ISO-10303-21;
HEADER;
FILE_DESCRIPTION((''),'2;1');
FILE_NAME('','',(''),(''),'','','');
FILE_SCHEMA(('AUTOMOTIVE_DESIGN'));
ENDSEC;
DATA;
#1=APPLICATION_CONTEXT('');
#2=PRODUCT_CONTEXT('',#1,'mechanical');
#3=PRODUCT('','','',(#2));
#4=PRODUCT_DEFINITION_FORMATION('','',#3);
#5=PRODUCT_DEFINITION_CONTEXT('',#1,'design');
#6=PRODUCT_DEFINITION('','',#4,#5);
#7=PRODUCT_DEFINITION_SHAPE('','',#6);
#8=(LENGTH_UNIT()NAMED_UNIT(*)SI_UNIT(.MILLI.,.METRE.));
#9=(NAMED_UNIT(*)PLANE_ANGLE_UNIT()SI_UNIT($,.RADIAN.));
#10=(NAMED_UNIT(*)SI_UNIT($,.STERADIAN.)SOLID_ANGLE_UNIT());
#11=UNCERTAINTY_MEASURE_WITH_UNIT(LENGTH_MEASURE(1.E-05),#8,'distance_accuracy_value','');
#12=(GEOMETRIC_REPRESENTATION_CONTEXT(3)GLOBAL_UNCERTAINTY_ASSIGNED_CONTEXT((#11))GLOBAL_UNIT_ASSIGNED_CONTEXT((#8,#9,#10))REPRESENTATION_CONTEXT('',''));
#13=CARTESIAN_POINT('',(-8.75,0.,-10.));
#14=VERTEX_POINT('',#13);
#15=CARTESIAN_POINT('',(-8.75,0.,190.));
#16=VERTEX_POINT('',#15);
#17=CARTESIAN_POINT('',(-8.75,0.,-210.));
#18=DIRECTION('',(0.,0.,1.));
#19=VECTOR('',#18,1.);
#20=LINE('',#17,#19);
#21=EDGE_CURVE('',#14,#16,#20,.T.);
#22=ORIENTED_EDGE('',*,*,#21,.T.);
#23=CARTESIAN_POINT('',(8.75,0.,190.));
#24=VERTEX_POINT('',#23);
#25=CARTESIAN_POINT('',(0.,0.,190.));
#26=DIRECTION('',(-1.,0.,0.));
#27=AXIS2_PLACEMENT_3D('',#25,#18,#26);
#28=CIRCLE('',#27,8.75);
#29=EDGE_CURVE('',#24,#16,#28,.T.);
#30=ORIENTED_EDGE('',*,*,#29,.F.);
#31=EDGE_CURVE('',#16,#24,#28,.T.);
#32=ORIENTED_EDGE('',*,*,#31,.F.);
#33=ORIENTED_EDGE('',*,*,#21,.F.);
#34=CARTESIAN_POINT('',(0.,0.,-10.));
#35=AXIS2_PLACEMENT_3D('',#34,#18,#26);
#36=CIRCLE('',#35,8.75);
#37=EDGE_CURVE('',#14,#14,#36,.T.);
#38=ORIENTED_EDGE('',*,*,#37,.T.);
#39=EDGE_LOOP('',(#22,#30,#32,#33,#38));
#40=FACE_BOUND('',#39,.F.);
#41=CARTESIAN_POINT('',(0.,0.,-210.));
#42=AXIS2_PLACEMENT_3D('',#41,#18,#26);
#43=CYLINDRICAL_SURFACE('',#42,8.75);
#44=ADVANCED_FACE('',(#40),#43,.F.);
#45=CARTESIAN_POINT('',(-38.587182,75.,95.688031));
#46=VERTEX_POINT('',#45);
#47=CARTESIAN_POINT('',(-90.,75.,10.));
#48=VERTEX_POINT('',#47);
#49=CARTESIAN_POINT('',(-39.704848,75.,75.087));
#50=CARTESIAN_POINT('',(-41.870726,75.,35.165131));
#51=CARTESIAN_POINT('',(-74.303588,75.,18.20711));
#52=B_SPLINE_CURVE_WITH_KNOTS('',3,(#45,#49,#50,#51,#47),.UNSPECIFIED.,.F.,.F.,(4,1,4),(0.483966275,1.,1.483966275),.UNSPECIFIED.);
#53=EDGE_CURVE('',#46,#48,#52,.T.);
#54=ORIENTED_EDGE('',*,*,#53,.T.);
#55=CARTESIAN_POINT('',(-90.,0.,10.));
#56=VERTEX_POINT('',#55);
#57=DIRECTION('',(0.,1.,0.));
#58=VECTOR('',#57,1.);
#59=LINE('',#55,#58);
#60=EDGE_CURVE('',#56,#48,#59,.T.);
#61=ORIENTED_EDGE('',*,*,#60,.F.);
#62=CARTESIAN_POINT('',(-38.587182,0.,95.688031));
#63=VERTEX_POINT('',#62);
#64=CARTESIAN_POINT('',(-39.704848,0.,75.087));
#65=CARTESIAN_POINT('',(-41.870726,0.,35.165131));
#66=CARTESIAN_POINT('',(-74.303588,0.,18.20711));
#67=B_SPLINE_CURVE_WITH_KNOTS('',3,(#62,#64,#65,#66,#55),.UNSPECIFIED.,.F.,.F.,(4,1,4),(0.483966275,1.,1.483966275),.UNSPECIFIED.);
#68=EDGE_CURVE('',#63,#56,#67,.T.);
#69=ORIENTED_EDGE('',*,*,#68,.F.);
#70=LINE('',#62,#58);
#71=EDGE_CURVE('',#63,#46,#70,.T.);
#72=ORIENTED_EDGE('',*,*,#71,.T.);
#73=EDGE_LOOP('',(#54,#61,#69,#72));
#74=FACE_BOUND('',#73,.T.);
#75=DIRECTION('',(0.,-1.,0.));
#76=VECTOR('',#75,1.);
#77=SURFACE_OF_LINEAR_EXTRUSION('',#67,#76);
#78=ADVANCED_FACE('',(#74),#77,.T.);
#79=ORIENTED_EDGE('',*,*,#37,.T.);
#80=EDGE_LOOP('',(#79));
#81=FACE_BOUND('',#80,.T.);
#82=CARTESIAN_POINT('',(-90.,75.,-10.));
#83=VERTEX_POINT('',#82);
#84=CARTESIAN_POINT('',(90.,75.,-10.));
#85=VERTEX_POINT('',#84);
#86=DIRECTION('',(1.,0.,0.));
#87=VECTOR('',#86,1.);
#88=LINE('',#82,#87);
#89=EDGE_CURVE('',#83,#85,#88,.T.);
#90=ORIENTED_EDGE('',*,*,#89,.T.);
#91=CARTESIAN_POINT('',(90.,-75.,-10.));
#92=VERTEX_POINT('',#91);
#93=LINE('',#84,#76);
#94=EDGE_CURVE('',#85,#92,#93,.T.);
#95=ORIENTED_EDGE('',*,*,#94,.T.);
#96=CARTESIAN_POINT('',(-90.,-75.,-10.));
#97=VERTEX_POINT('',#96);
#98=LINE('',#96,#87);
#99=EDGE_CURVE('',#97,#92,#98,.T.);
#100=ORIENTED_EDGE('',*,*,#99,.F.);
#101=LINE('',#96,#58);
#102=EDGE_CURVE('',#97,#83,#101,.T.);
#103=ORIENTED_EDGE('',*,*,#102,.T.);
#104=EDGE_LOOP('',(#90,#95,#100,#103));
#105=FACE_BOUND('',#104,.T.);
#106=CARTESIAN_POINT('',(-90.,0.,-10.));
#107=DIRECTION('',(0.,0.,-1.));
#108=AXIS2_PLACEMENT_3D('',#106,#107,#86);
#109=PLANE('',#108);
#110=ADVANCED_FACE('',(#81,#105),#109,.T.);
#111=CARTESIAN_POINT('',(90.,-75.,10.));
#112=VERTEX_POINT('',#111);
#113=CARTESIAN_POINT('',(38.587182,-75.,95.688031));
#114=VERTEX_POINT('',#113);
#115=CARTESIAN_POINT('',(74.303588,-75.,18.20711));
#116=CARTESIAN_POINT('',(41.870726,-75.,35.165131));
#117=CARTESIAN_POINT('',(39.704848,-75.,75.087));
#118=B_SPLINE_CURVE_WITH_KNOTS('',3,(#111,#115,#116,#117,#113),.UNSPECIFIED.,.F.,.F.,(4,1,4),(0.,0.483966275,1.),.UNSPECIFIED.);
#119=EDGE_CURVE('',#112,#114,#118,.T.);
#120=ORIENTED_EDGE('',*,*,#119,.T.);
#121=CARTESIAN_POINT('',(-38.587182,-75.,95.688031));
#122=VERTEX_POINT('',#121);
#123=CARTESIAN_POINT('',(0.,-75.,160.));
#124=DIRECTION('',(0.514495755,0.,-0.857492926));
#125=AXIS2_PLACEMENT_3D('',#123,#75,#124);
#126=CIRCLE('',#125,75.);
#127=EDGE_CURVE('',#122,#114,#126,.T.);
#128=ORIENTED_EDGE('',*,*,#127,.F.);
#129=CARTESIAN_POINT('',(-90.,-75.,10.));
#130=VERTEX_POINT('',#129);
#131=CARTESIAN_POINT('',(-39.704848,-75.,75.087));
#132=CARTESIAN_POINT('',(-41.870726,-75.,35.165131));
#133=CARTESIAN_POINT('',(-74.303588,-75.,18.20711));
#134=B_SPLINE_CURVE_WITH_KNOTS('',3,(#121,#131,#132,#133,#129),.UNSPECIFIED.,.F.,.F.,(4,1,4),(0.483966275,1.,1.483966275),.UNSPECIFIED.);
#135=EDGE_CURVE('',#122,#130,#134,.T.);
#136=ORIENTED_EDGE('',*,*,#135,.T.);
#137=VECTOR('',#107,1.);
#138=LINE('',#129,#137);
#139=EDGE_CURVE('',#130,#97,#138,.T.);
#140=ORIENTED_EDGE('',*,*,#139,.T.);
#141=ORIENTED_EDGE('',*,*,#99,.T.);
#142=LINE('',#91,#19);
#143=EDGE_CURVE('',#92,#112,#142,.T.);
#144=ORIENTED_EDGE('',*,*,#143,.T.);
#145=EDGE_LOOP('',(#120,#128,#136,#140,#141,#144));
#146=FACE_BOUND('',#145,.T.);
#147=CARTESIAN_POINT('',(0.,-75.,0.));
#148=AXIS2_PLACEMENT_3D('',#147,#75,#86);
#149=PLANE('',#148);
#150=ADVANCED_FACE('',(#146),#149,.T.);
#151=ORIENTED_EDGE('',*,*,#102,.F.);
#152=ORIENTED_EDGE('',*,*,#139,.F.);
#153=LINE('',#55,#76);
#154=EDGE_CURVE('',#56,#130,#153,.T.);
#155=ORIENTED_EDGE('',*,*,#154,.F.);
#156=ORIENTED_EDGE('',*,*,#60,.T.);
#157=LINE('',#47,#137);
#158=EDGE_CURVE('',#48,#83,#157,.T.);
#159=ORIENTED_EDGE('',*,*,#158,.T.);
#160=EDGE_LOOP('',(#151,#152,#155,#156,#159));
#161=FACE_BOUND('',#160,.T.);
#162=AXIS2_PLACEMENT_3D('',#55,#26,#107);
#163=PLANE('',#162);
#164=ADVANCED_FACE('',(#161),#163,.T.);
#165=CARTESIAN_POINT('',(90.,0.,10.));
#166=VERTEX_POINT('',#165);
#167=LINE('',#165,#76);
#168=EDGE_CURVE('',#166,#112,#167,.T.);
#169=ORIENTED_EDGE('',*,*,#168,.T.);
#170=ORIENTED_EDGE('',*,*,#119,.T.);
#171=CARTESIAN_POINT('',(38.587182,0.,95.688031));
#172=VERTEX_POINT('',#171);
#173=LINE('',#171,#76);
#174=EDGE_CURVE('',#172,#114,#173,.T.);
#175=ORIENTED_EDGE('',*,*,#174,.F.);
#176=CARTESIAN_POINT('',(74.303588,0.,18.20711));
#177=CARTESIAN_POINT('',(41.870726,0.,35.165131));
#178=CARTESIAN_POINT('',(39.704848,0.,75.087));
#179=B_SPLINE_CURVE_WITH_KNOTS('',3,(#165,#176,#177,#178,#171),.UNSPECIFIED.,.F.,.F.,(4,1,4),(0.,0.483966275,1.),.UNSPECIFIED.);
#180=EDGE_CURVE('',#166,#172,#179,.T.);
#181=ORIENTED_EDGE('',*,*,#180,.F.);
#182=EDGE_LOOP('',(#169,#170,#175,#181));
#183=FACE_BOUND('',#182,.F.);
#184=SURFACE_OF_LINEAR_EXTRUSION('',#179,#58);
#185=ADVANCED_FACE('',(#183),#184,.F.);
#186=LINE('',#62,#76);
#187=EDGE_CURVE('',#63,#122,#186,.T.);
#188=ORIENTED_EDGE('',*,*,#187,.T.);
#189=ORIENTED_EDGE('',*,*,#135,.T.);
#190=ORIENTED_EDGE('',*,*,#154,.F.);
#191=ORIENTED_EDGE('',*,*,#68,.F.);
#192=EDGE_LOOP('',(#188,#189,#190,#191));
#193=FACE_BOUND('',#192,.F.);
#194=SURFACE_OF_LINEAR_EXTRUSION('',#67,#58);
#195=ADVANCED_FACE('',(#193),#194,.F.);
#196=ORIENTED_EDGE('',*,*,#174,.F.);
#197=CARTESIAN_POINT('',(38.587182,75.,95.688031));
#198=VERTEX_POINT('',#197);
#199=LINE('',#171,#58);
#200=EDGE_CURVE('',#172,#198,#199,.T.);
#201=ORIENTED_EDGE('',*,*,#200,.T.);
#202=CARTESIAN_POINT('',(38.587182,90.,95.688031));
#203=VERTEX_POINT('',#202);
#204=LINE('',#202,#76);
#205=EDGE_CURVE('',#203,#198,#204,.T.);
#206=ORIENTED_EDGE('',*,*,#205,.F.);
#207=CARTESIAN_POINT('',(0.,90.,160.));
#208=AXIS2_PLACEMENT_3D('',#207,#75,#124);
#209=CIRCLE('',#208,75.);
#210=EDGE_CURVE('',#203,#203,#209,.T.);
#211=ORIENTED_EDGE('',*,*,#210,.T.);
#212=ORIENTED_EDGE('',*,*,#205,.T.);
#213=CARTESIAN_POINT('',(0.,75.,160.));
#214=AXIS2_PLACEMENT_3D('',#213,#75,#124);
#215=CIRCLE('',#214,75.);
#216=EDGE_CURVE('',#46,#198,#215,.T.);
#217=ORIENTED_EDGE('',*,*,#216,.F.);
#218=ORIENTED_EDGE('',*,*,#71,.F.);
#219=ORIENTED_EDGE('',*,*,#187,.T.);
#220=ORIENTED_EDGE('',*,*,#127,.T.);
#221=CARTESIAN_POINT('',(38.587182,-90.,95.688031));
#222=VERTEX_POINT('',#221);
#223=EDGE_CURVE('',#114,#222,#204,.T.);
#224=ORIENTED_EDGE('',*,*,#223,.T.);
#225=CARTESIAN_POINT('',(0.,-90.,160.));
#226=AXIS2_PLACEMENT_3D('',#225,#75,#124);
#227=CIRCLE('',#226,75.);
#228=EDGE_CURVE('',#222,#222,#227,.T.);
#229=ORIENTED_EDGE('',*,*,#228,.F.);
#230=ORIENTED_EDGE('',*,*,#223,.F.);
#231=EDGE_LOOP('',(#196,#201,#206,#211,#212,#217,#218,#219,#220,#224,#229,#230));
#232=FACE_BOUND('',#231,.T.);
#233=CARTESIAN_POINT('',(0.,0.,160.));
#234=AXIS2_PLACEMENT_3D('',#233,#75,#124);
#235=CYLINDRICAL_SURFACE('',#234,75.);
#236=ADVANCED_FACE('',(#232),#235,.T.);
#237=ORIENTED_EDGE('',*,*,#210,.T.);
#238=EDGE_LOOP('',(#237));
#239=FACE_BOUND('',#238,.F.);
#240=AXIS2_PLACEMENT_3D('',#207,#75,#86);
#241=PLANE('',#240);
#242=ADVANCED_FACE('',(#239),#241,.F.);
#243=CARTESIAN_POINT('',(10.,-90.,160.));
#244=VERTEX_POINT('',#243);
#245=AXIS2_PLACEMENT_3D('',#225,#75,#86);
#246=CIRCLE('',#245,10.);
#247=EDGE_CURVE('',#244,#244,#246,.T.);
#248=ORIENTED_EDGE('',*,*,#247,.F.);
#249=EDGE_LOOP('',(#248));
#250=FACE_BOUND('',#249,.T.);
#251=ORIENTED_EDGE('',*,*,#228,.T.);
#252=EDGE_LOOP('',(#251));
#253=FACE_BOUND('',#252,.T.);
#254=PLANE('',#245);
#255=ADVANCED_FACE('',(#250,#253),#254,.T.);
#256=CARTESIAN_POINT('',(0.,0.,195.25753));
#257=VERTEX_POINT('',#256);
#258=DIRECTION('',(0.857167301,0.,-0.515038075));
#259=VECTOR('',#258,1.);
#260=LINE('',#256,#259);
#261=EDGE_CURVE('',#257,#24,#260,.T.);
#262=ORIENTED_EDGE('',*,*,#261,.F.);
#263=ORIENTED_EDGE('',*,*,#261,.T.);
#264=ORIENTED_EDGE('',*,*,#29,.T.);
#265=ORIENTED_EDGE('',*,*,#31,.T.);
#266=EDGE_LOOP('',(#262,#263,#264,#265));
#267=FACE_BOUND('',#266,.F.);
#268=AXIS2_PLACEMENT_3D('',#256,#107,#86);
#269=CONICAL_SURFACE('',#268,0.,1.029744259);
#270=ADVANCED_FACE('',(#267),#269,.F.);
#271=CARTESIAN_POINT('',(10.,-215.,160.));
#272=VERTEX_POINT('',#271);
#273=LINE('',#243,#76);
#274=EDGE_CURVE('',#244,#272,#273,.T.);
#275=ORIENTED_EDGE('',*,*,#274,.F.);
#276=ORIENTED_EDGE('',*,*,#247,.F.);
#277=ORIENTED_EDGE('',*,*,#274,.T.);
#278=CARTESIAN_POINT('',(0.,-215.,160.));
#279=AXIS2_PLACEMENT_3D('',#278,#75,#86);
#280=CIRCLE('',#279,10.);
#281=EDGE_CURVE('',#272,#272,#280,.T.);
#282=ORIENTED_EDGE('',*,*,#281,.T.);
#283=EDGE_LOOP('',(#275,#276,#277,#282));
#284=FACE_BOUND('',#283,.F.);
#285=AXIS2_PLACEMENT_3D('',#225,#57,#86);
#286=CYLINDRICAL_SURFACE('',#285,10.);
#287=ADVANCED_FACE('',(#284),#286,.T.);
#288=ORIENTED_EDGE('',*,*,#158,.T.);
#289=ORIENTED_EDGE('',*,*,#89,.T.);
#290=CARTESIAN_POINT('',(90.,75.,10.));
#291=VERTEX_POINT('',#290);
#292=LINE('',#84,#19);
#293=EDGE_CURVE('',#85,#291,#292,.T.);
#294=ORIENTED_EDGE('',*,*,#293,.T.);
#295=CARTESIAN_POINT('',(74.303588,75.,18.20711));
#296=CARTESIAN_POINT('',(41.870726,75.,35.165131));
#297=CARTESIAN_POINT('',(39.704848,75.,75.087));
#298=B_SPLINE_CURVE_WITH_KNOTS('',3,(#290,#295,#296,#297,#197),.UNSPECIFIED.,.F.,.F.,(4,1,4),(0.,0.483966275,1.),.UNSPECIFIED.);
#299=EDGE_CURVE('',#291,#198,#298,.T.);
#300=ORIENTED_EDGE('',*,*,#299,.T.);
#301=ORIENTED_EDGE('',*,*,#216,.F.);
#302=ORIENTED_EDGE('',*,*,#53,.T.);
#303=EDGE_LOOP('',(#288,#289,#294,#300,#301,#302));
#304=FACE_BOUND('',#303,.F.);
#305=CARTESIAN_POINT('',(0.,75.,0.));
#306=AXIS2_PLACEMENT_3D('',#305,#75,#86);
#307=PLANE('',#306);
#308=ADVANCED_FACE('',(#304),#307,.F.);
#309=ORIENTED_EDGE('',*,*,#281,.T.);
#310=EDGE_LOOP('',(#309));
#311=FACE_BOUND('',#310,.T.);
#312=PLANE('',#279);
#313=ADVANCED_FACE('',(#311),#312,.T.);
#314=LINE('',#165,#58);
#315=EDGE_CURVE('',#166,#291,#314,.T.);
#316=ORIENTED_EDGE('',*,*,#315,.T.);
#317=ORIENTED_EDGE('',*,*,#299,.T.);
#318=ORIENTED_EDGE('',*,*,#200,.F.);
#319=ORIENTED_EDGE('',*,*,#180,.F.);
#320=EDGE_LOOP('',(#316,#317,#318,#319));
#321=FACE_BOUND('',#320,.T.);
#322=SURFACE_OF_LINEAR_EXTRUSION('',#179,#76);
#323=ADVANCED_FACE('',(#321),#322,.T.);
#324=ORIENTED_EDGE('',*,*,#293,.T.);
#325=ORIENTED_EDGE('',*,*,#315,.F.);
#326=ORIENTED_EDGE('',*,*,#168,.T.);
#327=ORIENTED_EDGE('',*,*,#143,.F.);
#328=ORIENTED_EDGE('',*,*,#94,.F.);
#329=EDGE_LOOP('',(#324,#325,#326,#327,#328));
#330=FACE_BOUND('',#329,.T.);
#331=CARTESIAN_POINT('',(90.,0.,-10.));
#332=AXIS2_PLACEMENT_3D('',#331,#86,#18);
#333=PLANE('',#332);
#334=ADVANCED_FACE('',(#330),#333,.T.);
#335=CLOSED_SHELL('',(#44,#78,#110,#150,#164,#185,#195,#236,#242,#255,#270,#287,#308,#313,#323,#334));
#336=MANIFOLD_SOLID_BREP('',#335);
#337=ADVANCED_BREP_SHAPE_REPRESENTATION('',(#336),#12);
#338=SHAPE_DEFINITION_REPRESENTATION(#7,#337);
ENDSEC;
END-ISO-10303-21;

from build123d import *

# Parameters (mm, degrees)
F1_DEPTH = 90
F2_DEPTH = 75
F3_R     = 10
F4_DEPTH = 125
F6_D     = 17.5
F6_DEPTH = 200
F6_TIP   = 5.2575304165


with BuildPart() as f1:
    # F0 (on Front) → F1 (new body, symmetric)
    with BuildSketch(Plane.XZ):
        with BuildLine():
            ThreePointArc((-38.5871816571, 95.6880305716), (0, 85), (38.5871816571, 95.6880305716))
            ThreePointArc((38.5871816571, 95.6880305716), (65.2649930065, 123.0475888762), (75, 160))
            ThreePointArc((75, 160), (-36.9524111238, 225.2649930065), (-38.5871816571, 95.6880305716))
        make_face()
    extrude(amount=F1_DEPTH, both=True)

    # F0 (on Front) → F2 (join, symmetric)
    with BuildSketch(Plane.XZ):
        Polygon((-90, -10), (90, -10), (90, 10), (50, 10), (0, 10), (-50, 10), (-90, 10), align=None)
        with BuildLine():
            Line((50, 10), (90, 10))
            add(Edge.make_bspline(
                [(90, 10), (74.3035884973, 18.2071101409), (58.6071769946, 26.4142202817), (50, 40)],
                knots=[0, 0, 0, 0, 0.4839662752, 0.4839662752, 0.4839662752, 0.4839662752], degree=3))
            Line((50, 40), (50, 10))
        make_face()
        with BuildLine():
            add(Edge.make_bspline(
                [(-90, 10), (-74.3035884973, 18.2071101409), (-58.6071769946, 26.4142202817), (-50, 40)],
                knots=[0, 0, 0, 0, 0.4839662752, 0.4839662752, 0.4839662752, 0.4839662752], degree=3))
            Line((-90, 10), (-50, 10))
            Line((-50, 10), (-50, 40))
        make_face()
        with BuildLine():
            Line((0, 10), (50, 10))
            Line((50, 10), (50, 40))
            add(Edge.make_bspline(
                [(50, 40), (40.8225142283, 54.4859691093), (39.7048479427, 75.0869998404), (38.5871816571, 95.6880305716)],
                knots=[0.4839662752, 0.4839662752, 0.4839662752, 0.4839662752, 1, 1, 1, 1], degree=3))
            ThreePointArc((38.5871816571, 95.6880305716), (0, 85), (-38.5871816571, 95.6880305716))
            add(Edge.make_bspline(
                [(-50, 40), (-40.8225142283, 54.4859691093), (-39.7048479427, 75.0869998404), (-38.5871816571, 95.6880305716)],
                knots=[0.4839662752, 0.4839662752, 0.4839662752, 0.4839662752, 1, 1, 1, 1], degree=3))
            Line((-50, 40), (-50, 10))
            Line((-50, 10), (0, 10))
        make_face()
        with BuildLine():
            ThreePointArc((-38.5871816571, 95.6880305716), (0, 85), (38.5871816571, 95.6880305716))
            ThreePointArc((38.5871816571, 95.6880305716), (65.2649930065, 123.0475888762), (75, 160))
            ThreePointArc((75, 160), (-36.9524111238, 225.2649930065), (-38.5871816571, 95.6880305716))
        make_face()
    extrude(amount=F2_DEPTH, both=True)

    # F3 (on face) → F4 (join)
    with BuildSketch(Plane.XZ.offset(90)):
        with Locations((0, 160)):
            Circle(F3_R)
    extrude(amount=F4_DEPTH)

    # F6
    with Locations(Plane(origin=(0, 0, -10), x_dir=(1, 0, 0), z_dir=(0, 0, -1))):
        with Locations((0, 0)):
            Hole(F6_D / 2, depth=F6_DEPTH)
            with Locations((0, 0, -(F6_DEPTH + F6_TIP / 2))):  # 118° drill point
                Cone(0, F6_D / 2, F6_TIP, mode=Mode.SUBTRACT)


solid = f1.part
